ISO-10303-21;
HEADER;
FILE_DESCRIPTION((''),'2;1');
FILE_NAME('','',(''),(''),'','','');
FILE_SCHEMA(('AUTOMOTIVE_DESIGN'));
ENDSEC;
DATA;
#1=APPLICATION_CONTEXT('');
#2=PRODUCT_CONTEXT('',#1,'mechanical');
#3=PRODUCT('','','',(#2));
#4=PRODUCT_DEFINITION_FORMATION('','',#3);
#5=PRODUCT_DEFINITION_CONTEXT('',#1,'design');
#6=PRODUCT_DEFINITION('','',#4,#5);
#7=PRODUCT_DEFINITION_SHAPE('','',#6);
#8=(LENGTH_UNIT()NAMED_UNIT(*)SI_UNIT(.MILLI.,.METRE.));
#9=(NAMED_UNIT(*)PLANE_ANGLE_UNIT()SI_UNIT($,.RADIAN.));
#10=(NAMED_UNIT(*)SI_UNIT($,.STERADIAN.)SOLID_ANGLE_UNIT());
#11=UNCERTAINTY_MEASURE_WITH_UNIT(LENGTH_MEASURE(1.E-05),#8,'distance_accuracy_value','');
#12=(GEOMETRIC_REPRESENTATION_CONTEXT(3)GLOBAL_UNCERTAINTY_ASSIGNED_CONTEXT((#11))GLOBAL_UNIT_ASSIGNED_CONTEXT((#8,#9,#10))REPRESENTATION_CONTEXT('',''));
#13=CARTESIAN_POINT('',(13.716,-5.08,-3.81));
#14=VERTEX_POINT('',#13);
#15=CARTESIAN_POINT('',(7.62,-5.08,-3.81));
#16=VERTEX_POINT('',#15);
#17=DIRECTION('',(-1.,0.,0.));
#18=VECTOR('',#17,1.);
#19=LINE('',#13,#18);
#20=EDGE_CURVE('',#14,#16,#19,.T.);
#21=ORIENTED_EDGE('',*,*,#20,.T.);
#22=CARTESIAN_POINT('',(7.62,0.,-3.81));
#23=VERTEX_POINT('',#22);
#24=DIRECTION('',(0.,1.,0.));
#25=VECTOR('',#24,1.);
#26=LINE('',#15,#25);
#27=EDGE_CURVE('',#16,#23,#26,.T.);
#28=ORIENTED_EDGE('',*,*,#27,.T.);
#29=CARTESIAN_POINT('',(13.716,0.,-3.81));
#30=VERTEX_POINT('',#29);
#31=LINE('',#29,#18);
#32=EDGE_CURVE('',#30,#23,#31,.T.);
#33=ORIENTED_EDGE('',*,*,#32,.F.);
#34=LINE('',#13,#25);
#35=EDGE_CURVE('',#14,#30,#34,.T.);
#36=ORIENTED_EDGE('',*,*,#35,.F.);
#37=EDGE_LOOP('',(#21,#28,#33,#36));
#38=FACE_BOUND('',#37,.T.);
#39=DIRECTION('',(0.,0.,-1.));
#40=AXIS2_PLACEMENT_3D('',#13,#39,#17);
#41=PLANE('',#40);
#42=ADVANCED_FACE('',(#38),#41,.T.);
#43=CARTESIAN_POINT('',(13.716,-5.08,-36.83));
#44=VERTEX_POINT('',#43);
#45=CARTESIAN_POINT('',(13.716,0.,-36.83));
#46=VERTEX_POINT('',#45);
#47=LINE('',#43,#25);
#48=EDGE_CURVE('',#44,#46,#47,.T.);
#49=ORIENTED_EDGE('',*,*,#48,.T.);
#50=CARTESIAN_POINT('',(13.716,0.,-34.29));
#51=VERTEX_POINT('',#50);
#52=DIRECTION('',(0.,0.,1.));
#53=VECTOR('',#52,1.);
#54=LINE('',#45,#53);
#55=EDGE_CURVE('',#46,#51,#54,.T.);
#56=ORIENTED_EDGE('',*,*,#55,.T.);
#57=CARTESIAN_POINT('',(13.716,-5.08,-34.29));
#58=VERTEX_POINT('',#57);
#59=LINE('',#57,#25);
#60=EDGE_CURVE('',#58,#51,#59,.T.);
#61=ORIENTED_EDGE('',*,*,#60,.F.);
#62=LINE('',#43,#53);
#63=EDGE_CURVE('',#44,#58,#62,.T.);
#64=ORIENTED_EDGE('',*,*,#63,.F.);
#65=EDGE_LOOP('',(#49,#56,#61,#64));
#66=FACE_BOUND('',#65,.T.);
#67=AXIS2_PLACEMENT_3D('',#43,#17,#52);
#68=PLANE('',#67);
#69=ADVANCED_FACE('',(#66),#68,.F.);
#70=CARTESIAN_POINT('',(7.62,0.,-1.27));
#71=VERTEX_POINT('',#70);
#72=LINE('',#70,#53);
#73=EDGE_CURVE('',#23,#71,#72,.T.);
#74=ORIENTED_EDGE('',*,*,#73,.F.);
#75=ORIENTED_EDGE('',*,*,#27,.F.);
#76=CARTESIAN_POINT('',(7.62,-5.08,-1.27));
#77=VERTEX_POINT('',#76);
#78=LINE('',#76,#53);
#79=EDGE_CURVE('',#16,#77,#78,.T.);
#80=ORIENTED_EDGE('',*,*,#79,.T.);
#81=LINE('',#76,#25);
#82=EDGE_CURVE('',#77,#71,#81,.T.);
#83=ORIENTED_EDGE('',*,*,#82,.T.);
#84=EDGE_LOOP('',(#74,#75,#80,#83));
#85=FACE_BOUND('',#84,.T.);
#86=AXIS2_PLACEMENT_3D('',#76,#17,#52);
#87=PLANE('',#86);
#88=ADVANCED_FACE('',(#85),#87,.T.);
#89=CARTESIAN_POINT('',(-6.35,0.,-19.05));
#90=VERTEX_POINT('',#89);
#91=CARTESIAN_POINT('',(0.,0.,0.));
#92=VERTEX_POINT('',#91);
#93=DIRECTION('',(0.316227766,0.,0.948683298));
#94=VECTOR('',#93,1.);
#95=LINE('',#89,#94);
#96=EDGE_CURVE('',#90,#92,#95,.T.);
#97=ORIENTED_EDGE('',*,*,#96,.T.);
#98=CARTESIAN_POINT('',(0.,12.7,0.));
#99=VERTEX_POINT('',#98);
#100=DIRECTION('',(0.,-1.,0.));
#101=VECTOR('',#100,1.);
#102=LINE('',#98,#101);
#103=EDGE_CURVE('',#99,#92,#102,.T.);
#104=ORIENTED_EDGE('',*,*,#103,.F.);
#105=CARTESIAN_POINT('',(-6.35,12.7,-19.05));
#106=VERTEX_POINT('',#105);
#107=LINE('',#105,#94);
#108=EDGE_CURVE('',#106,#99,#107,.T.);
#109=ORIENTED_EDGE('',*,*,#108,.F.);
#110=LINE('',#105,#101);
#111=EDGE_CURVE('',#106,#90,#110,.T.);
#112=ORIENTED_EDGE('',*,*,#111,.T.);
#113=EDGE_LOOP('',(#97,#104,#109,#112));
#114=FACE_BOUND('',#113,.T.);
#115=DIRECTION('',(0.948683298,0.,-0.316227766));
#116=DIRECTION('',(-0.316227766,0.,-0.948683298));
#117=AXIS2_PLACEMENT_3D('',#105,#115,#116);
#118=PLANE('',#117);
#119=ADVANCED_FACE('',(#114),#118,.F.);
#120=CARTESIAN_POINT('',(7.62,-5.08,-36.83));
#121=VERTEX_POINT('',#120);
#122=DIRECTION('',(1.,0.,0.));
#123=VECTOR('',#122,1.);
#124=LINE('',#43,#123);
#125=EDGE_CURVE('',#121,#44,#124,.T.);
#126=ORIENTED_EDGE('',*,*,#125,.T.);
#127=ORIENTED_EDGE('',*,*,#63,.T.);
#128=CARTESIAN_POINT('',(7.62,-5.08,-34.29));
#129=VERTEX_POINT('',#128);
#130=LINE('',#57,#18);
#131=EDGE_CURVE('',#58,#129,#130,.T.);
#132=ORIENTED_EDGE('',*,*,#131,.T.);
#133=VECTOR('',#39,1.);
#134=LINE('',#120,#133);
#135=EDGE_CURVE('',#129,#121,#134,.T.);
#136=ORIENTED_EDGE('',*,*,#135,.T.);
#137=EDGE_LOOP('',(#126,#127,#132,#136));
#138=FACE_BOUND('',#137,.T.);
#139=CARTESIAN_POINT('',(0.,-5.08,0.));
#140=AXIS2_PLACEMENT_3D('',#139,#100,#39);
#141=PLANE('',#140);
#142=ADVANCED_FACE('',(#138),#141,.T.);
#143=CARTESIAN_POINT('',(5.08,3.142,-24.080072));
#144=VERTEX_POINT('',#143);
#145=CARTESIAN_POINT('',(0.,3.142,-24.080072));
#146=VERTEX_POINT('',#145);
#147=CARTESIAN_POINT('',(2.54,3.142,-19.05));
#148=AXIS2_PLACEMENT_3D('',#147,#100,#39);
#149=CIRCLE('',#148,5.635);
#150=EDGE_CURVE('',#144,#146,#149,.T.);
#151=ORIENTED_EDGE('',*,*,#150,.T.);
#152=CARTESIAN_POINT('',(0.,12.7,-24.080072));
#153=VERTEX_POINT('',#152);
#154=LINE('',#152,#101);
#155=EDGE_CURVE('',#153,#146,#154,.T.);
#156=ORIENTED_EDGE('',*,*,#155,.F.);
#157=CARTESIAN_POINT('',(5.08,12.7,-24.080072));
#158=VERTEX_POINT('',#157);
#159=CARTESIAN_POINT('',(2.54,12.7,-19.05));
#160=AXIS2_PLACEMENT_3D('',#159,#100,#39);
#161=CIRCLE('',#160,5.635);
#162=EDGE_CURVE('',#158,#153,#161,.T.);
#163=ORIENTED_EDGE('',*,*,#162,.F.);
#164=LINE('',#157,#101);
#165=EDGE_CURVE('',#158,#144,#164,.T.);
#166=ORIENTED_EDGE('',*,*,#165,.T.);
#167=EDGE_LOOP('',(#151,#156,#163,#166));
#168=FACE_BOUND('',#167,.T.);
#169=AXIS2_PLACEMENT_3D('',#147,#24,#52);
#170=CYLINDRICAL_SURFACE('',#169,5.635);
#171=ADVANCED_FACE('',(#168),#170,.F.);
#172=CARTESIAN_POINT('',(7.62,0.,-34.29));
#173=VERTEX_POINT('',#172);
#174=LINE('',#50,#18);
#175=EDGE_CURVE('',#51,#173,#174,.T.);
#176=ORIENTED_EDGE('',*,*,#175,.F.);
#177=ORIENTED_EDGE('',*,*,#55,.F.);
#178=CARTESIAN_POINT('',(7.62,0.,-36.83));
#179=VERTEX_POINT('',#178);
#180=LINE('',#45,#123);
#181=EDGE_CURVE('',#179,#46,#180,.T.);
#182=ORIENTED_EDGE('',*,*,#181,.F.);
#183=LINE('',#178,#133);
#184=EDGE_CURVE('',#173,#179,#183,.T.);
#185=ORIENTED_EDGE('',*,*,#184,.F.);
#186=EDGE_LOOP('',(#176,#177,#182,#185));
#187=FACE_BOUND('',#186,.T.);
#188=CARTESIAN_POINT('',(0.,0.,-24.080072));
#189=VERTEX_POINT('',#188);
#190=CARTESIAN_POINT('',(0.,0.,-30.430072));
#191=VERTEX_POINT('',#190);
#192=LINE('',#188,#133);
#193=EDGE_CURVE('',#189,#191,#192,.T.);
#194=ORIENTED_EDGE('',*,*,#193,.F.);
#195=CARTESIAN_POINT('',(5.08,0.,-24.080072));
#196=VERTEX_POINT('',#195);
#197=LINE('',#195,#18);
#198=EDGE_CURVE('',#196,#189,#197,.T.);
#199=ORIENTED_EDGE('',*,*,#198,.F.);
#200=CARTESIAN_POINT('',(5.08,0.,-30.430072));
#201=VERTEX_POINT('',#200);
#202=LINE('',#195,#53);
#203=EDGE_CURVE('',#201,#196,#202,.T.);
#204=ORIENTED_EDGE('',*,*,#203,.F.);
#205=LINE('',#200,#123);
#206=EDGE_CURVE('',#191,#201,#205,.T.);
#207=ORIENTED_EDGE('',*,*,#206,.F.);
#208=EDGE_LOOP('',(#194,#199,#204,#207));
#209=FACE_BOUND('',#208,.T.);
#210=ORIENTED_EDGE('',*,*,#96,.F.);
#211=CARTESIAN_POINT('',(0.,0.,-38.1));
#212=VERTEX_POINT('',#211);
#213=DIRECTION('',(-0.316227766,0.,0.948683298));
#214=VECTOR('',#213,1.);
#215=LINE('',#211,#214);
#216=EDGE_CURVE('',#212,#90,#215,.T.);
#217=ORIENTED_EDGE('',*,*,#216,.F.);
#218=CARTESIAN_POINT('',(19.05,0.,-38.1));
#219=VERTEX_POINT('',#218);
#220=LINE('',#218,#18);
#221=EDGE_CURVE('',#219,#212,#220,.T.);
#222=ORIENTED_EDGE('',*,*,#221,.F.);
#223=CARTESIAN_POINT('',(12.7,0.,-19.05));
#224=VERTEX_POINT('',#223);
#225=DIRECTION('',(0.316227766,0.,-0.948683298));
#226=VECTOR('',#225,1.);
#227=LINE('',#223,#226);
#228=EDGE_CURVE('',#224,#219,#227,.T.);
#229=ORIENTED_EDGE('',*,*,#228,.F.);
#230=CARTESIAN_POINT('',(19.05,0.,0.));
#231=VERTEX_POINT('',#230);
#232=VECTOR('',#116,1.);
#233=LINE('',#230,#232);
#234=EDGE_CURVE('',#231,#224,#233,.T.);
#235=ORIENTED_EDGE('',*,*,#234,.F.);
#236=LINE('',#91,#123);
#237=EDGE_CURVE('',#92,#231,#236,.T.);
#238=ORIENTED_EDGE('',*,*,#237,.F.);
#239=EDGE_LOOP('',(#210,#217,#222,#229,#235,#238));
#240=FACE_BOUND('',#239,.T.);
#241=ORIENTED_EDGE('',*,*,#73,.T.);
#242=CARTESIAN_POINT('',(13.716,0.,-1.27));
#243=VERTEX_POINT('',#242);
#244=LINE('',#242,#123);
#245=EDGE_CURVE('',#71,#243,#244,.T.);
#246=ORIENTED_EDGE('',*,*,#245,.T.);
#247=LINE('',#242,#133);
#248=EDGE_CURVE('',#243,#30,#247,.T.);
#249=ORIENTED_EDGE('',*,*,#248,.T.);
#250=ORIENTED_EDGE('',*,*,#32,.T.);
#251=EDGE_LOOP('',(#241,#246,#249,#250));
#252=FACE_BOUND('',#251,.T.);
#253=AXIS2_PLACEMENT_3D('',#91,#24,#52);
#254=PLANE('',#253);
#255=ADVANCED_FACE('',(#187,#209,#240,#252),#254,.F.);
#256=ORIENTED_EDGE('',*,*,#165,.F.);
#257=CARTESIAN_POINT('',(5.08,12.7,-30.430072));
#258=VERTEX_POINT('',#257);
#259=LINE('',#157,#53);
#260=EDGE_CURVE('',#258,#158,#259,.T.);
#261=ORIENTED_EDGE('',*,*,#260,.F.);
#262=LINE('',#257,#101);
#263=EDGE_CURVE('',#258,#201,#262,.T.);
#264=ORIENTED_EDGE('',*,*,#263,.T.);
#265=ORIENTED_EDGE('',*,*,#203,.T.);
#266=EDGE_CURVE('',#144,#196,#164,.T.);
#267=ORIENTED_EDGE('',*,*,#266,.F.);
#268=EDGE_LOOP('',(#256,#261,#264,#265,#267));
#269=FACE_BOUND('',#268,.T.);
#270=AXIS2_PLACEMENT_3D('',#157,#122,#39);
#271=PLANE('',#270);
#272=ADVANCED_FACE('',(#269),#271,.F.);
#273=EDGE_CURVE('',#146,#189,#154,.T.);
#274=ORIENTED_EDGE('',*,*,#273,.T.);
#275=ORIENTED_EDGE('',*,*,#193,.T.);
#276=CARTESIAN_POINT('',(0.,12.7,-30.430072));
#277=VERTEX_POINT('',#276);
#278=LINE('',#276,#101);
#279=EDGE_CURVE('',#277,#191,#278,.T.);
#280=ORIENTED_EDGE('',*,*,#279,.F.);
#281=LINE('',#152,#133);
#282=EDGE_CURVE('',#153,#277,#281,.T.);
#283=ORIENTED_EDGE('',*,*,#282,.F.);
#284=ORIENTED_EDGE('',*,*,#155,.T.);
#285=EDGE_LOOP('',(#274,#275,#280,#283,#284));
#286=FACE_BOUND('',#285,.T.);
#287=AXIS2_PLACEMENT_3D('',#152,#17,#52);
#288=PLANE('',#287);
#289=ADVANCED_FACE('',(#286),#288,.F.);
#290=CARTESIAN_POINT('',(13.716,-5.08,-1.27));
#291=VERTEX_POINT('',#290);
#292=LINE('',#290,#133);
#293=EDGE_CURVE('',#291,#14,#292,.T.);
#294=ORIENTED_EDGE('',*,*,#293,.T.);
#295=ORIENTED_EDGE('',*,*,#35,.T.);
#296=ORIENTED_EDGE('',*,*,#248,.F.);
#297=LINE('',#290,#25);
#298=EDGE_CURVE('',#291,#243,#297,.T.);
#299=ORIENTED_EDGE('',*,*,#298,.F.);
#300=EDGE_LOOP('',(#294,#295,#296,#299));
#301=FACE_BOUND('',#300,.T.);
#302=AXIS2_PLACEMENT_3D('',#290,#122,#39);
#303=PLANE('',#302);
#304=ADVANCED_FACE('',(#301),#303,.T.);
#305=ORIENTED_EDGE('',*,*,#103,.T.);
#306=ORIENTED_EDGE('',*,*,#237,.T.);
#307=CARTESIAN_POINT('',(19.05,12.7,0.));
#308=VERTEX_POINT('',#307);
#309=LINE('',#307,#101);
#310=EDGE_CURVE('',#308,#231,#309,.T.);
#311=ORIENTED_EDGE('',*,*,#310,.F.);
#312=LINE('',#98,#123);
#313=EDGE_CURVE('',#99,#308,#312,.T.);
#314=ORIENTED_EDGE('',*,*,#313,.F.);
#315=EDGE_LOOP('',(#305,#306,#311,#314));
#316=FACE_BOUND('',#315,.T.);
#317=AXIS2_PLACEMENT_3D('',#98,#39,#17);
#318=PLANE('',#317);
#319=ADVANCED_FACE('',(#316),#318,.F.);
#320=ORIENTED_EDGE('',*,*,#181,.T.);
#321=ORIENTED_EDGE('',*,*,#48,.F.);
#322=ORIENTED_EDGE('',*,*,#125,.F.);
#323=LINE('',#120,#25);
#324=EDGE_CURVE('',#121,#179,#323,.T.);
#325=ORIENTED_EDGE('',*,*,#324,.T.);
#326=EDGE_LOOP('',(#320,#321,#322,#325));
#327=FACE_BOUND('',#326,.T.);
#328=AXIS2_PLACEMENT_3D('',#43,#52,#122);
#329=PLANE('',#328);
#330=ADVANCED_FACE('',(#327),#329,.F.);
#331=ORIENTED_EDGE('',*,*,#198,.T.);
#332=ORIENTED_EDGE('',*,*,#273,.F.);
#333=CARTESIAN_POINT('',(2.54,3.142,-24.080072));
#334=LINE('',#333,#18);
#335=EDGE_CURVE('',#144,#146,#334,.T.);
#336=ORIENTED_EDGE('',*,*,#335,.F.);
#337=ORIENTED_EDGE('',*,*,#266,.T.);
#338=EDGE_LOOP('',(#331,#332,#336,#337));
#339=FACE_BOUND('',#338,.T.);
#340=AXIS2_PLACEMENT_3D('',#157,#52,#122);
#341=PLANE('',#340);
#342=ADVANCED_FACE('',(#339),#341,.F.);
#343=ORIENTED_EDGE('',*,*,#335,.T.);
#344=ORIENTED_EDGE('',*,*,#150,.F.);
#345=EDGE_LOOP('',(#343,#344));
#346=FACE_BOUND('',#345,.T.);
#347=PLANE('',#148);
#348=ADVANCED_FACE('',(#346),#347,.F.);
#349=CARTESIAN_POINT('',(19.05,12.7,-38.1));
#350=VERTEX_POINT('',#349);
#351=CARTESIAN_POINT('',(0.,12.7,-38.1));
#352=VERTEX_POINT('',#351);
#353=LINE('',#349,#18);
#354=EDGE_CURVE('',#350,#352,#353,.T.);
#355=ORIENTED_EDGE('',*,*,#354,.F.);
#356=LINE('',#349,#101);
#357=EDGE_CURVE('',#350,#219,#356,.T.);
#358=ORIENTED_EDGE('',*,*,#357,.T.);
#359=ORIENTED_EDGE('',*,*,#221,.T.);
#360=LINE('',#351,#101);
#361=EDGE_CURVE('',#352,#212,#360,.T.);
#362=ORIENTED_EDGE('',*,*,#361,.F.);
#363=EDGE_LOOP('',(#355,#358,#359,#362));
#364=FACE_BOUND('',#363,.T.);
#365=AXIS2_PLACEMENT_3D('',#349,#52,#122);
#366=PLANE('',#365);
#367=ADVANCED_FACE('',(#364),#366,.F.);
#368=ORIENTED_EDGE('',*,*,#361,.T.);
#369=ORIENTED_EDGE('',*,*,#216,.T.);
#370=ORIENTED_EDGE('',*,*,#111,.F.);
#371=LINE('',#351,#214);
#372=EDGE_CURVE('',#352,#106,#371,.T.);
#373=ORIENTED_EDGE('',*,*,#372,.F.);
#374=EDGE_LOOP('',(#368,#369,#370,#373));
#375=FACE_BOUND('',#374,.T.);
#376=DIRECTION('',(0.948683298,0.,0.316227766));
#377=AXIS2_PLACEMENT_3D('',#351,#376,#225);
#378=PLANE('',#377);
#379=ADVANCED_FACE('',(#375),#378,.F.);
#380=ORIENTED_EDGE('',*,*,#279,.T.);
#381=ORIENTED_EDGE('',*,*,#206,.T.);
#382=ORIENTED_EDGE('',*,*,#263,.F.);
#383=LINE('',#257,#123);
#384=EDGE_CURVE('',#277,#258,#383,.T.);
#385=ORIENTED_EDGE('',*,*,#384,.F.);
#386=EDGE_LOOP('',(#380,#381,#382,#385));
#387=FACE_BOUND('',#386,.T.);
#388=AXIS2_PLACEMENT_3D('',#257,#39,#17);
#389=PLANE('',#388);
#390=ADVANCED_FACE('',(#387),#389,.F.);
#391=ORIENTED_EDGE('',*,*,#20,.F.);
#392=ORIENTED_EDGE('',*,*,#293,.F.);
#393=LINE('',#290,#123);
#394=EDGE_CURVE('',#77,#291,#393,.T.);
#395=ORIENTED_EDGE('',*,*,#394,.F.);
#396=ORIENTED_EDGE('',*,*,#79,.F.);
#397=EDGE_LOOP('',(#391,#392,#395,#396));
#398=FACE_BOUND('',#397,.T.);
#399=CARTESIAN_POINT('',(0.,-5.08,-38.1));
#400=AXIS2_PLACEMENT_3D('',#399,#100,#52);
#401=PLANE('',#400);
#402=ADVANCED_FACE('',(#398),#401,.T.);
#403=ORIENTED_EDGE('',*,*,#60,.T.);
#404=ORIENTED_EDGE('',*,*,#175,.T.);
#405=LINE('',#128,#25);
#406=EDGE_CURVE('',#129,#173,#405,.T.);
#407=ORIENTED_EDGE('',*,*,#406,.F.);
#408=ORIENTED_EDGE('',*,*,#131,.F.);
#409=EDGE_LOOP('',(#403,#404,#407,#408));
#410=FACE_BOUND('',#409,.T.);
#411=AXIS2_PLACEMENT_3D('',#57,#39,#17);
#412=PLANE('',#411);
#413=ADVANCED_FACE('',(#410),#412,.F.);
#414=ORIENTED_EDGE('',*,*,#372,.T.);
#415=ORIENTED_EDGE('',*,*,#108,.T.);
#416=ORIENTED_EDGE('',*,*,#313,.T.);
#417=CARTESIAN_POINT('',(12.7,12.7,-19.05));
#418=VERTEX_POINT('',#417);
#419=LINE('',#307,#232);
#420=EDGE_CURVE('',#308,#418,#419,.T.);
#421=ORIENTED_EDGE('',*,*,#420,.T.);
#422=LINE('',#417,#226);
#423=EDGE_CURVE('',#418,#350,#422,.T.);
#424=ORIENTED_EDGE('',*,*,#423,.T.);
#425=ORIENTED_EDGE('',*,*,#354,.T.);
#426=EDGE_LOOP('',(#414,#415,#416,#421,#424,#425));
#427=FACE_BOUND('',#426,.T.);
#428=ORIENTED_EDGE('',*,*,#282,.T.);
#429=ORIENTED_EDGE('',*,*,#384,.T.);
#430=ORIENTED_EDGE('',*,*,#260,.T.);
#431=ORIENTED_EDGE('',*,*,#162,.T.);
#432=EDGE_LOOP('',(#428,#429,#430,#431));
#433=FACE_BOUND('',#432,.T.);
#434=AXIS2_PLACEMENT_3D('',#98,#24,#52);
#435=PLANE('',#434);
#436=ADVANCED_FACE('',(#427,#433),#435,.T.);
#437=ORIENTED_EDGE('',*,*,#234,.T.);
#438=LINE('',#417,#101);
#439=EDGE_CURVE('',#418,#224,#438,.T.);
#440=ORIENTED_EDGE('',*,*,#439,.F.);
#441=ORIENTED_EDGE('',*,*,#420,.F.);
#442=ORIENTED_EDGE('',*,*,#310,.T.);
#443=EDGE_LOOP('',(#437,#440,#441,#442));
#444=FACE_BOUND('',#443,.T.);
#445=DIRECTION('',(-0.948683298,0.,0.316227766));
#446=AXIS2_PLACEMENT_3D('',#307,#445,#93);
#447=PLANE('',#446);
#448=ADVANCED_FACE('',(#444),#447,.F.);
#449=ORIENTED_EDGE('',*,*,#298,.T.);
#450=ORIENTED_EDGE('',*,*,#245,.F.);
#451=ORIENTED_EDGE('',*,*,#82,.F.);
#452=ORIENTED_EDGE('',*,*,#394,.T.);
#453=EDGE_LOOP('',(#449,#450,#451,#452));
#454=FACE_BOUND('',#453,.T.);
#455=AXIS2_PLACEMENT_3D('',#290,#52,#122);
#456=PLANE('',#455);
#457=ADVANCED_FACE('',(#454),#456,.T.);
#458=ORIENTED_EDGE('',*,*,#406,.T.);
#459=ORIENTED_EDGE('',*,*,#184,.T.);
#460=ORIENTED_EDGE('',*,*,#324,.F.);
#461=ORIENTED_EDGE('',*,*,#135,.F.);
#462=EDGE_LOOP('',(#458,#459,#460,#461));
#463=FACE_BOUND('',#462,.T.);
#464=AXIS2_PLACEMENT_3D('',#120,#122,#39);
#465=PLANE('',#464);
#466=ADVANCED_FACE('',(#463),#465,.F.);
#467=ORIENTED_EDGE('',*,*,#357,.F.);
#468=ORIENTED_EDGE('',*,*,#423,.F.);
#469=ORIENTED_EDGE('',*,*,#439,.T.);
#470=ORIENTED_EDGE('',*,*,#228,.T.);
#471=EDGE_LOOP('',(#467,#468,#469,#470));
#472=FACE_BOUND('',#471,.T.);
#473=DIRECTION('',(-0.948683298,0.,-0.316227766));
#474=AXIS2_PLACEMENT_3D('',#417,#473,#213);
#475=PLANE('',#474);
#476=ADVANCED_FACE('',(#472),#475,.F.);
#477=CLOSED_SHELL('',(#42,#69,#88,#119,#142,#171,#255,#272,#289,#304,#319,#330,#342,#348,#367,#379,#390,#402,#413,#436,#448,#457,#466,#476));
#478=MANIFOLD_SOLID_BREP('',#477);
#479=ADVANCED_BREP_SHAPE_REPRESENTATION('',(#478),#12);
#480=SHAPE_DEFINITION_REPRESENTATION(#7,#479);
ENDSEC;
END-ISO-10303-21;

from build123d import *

# Parameters (mm, degrees)
BOSS_EXTRUDE1_DEPTH       = 12.7
SKETCH2_R                 = 5.635000033
HAPTIC_MOTOR_CUTOUT_DEPTH = 9.557999934
SKETCH3_W                 = 5.08
SKETCH3_H                 = 6.35
HAPTIC_WIRE_CUTOUT_DEPTH  = 13.7
SKETCH4_W                 = 6.096
SKETCH4_H                 = 2.54
PINS_DEPTH                = 5.08


with BuildPart() as part:
    # Sketch1 → Boss-Extrude1 (new body)
    with BuildSketch(Plane(origin=(0, 0, 0), x_dir=(1, 0, 0), z_dir=(0, 1, 0))):
        Polygon((0, 0), (19.05, 0), (12.7, 19.05), (19.05, 38.1), (0, 38.1), (-6.35, 19.05), align=None)
    extrude(amount=BOSS_EXTRUDE1_DEPTH)

    # Sketch2 → Haptic Motor Cutout (cut)
    with BuildSketch(Plane.XZ.offset(-12.7)):
        with Locations((2.54, -19.05)):
            Circle(SKETCH2_R)
    extrude(amount=HAPTIC_MOTOR_CUTOUT_DEPTH, mode=Mode.SUBTRACT)

    # Sketch3 → Haptic Wire Cutout (cut, through all)
    with BuildSketch(Plane.XZ):
        with Locations((2.54, -27.255072104)):
            Rectangle(SKETCH3_W, SKETCH3_H)
    extrude(amount=-HAPTIC_WIRE_CUTOUT_DEPTH, mode=Mode.SUBTRACT)

    # Sketch4 → Pins (add)
    with BuildSketch(Plane.XZ):
        with Locations((10.668, -35.56)):
            Rectangle(SKETCH4_W, SKETCH4_H)
    pins = extrude(amount=PINS_DEPTH)

    # Mirror1: Pins across plane
    add(pins.mirror(Plane(origin=(0, 0, -19.05), x_dir=(1, 0, 0), z_dir=(0, 0, -1))))


solid = part.part
